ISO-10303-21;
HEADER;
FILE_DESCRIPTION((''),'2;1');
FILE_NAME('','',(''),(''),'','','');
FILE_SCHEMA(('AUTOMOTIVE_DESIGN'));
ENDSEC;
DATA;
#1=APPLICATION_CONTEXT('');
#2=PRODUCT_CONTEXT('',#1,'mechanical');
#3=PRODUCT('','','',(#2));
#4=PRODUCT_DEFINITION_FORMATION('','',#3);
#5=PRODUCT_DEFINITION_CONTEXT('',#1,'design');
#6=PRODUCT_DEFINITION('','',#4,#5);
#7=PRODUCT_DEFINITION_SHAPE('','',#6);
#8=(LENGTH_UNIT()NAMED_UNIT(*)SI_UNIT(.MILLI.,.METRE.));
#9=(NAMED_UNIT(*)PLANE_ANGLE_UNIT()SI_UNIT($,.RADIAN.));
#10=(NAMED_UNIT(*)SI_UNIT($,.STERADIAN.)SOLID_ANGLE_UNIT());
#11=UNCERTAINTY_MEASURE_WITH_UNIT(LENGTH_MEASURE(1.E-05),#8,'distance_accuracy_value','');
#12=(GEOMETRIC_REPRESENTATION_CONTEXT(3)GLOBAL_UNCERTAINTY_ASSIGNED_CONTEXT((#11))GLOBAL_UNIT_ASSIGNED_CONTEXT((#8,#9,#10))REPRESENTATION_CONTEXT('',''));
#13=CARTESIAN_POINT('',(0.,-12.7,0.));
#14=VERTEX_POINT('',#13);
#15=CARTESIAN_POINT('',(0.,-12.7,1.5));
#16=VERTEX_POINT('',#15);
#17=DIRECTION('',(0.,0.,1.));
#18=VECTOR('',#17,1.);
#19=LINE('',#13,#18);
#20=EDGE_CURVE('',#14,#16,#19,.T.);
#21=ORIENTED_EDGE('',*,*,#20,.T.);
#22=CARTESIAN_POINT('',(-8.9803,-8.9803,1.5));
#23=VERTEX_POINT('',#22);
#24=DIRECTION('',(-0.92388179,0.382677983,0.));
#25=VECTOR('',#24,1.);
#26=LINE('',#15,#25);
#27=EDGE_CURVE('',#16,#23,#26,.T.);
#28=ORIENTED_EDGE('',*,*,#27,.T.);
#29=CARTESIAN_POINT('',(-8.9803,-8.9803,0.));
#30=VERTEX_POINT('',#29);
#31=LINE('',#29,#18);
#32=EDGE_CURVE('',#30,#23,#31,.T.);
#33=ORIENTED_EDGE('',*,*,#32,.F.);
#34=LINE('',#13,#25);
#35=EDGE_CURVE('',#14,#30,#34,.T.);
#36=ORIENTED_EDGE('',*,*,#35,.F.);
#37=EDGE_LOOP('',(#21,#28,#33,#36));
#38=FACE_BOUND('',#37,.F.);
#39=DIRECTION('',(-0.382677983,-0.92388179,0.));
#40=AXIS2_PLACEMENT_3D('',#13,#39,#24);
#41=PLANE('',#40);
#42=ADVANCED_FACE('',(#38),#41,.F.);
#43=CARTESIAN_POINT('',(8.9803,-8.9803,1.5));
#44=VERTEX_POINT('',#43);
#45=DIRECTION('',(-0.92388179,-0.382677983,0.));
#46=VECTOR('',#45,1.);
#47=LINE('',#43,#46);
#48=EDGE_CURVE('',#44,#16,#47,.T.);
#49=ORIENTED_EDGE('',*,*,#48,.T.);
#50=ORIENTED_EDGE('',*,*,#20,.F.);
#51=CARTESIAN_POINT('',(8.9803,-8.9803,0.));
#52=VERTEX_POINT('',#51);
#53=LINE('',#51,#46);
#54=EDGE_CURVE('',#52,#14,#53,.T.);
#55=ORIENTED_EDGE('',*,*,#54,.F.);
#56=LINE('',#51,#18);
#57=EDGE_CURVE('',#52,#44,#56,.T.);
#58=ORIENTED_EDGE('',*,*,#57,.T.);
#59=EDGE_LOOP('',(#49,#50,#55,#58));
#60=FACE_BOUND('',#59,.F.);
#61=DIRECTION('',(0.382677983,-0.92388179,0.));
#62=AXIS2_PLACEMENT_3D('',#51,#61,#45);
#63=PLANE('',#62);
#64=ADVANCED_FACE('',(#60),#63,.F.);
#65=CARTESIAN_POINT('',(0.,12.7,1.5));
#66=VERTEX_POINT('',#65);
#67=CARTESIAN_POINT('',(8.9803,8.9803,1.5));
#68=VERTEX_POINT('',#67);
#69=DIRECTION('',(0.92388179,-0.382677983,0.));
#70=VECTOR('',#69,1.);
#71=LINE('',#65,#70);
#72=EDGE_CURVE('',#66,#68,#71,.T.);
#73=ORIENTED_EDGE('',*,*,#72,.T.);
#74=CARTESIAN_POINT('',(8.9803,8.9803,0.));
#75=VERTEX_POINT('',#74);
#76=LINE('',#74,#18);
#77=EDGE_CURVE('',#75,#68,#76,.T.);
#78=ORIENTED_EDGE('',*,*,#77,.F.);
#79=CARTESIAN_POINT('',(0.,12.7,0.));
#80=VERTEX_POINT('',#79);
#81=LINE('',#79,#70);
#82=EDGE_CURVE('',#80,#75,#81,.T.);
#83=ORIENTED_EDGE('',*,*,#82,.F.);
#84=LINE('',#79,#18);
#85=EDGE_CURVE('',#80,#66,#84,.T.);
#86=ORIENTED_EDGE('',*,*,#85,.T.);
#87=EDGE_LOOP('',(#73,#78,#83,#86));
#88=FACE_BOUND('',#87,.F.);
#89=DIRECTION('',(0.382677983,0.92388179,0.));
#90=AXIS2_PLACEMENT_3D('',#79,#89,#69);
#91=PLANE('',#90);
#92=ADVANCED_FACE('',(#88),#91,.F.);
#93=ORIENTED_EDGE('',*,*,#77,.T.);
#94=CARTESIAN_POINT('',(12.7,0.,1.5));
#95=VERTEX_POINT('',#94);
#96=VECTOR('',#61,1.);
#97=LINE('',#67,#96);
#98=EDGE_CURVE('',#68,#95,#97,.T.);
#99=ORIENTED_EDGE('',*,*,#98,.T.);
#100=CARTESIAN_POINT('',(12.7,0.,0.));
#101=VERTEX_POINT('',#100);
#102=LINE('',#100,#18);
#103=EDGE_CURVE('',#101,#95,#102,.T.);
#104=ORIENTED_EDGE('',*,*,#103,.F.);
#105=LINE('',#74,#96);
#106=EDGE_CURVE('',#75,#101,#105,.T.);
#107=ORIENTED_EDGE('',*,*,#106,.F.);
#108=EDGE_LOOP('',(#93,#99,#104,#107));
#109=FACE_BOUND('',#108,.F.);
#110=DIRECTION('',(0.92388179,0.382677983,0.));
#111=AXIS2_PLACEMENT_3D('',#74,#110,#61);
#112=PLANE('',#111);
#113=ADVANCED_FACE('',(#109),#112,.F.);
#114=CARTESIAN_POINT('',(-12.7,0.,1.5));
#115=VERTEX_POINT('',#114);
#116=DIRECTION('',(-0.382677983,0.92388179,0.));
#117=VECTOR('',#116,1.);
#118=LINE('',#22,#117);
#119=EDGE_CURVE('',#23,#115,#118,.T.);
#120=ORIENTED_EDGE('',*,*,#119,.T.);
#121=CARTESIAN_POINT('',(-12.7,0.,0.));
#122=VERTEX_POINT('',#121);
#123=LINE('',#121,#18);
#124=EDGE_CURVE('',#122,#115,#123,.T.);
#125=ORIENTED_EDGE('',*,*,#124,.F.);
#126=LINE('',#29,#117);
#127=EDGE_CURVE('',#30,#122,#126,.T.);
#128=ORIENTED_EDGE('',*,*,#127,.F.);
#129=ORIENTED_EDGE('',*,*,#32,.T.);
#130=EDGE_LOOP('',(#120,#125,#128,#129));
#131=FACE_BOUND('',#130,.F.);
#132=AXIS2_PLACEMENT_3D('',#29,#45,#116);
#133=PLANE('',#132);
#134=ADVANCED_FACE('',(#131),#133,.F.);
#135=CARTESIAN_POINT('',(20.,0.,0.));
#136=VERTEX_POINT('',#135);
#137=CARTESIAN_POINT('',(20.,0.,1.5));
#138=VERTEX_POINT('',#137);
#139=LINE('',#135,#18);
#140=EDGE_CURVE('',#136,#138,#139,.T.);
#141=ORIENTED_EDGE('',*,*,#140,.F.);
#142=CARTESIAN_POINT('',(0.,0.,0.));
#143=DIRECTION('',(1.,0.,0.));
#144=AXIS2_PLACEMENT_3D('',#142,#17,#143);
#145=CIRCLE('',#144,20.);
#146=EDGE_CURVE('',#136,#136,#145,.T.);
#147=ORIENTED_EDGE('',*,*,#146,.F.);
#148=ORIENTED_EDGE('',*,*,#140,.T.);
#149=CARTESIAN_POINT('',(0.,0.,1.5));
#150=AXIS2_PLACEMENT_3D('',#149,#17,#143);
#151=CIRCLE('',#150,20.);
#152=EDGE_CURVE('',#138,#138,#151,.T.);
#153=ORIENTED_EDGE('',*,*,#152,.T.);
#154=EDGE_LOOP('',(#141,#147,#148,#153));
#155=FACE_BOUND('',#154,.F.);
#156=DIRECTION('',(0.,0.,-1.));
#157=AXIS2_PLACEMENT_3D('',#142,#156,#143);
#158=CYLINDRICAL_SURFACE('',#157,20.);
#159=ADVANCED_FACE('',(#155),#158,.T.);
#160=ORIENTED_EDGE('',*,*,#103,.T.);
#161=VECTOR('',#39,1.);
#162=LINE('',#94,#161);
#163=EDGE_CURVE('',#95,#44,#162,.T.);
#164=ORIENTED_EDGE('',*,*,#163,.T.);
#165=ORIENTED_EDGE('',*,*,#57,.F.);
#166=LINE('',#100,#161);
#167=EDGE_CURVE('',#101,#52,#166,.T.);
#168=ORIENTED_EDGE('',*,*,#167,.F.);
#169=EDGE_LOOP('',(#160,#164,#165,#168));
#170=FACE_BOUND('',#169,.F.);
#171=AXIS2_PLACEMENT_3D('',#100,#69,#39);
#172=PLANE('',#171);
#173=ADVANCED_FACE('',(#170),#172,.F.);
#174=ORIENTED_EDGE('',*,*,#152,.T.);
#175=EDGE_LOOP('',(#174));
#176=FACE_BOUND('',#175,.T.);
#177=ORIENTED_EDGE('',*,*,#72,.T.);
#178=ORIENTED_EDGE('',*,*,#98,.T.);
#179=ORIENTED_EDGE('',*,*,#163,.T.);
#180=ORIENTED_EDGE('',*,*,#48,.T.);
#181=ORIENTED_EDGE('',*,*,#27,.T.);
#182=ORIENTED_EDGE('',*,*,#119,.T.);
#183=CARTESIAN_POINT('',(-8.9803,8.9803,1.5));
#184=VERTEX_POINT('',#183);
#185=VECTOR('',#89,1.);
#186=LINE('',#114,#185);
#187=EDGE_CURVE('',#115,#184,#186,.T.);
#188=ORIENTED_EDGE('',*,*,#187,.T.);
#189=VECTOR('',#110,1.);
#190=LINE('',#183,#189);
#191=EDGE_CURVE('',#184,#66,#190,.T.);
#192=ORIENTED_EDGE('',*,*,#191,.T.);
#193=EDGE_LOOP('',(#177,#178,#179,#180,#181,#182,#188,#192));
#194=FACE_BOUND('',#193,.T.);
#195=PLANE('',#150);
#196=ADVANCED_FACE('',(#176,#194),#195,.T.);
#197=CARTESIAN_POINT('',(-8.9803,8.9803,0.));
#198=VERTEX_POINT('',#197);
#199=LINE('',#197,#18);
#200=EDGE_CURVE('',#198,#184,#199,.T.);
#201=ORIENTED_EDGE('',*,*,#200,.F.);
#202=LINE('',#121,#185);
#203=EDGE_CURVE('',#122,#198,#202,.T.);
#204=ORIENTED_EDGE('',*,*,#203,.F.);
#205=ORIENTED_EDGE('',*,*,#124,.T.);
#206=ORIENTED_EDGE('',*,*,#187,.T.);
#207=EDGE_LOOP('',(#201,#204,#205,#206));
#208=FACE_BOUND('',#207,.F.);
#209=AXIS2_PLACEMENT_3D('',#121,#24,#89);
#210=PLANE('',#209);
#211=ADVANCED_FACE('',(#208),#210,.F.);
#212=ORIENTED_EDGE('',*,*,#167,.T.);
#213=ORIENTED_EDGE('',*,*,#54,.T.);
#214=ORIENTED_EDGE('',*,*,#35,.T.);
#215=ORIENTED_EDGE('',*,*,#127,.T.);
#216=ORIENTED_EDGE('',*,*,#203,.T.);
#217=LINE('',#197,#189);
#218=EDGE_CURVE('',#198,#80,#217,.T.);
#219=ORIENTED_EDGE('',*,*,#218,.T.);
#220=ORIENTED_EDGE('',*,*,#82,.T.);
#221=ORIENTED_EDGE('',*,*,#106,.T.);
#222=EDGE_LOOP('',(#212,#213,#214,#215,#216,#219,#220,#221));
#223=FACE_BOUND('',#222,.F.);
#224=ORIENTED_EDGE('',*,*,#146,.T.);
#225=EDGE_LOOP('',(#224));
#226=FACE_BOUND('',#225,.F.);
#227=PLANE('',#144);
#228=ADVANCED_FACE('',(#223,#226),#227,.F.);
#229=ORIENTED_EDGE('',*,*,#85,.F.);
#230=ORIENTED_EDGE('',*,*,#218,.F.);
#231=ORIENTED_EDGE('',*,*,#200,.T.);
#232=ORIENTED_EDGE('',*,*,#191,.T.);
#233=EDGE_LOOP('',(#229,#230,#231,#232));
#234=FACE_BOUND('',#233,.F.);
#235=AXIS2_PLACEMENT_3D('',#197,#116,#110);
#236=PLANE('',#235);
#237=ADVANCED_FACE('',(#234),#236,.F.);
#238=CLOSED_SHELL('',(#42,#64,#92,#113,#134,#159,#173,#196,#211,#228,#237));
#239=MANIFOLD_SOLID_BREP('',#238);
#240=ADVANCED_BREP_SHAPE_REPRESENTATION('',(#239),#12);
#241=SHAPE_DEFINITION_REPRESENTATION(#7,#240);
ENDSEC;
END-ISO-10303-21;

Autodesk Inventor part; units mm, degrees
ref_plane "YZ Plane" through (0, 0, 0) normal (1, 0, 0) x (0, 1, 0)
ref_plane "XZ Plane" through (0, 0, 0) normal (0, 1, 0) x (-1, 0, 0)
ref_plane "XY Plane" through (0, 0, 0) normal (0, 0, 1) x (1, 0, 0)
sketch "Boceto1" plane through (0, 0, 0) normal (0, 0, 1) x (1, 0, 0)
  circle A0 centre (0, 0) radius 20
  circle A1 centre (0, 0) radius 12.7 construction
  line L0 (0, 12.7) -> (8.9803, 8.9803)
  line L1 (8.9803, 8.9803) -> (12.7, 0)
  line L2 (12.7, 0) -> (8.9803, -8.9803)
  line L3 (8.9803, -8.9803) -> (0, -12.7)
  line L4 (0, -12.7) -> (-8.9803, -8.9803)
  line L5 (-8.9803, -8.9803) -> (-12.7, 0)
  line L6 (-12.7, 0) -> (-8.9803, 8.9803)
  line L7 (-8.9803, 8.9803) -> (0, 12.7)
  dimension "d1" = 25.4
  dimension "d0" = 40
extrude "Extrusión1" add sketch "Boceto1" along normal blind 1.5
properties part number "espaciador1.5mm"
